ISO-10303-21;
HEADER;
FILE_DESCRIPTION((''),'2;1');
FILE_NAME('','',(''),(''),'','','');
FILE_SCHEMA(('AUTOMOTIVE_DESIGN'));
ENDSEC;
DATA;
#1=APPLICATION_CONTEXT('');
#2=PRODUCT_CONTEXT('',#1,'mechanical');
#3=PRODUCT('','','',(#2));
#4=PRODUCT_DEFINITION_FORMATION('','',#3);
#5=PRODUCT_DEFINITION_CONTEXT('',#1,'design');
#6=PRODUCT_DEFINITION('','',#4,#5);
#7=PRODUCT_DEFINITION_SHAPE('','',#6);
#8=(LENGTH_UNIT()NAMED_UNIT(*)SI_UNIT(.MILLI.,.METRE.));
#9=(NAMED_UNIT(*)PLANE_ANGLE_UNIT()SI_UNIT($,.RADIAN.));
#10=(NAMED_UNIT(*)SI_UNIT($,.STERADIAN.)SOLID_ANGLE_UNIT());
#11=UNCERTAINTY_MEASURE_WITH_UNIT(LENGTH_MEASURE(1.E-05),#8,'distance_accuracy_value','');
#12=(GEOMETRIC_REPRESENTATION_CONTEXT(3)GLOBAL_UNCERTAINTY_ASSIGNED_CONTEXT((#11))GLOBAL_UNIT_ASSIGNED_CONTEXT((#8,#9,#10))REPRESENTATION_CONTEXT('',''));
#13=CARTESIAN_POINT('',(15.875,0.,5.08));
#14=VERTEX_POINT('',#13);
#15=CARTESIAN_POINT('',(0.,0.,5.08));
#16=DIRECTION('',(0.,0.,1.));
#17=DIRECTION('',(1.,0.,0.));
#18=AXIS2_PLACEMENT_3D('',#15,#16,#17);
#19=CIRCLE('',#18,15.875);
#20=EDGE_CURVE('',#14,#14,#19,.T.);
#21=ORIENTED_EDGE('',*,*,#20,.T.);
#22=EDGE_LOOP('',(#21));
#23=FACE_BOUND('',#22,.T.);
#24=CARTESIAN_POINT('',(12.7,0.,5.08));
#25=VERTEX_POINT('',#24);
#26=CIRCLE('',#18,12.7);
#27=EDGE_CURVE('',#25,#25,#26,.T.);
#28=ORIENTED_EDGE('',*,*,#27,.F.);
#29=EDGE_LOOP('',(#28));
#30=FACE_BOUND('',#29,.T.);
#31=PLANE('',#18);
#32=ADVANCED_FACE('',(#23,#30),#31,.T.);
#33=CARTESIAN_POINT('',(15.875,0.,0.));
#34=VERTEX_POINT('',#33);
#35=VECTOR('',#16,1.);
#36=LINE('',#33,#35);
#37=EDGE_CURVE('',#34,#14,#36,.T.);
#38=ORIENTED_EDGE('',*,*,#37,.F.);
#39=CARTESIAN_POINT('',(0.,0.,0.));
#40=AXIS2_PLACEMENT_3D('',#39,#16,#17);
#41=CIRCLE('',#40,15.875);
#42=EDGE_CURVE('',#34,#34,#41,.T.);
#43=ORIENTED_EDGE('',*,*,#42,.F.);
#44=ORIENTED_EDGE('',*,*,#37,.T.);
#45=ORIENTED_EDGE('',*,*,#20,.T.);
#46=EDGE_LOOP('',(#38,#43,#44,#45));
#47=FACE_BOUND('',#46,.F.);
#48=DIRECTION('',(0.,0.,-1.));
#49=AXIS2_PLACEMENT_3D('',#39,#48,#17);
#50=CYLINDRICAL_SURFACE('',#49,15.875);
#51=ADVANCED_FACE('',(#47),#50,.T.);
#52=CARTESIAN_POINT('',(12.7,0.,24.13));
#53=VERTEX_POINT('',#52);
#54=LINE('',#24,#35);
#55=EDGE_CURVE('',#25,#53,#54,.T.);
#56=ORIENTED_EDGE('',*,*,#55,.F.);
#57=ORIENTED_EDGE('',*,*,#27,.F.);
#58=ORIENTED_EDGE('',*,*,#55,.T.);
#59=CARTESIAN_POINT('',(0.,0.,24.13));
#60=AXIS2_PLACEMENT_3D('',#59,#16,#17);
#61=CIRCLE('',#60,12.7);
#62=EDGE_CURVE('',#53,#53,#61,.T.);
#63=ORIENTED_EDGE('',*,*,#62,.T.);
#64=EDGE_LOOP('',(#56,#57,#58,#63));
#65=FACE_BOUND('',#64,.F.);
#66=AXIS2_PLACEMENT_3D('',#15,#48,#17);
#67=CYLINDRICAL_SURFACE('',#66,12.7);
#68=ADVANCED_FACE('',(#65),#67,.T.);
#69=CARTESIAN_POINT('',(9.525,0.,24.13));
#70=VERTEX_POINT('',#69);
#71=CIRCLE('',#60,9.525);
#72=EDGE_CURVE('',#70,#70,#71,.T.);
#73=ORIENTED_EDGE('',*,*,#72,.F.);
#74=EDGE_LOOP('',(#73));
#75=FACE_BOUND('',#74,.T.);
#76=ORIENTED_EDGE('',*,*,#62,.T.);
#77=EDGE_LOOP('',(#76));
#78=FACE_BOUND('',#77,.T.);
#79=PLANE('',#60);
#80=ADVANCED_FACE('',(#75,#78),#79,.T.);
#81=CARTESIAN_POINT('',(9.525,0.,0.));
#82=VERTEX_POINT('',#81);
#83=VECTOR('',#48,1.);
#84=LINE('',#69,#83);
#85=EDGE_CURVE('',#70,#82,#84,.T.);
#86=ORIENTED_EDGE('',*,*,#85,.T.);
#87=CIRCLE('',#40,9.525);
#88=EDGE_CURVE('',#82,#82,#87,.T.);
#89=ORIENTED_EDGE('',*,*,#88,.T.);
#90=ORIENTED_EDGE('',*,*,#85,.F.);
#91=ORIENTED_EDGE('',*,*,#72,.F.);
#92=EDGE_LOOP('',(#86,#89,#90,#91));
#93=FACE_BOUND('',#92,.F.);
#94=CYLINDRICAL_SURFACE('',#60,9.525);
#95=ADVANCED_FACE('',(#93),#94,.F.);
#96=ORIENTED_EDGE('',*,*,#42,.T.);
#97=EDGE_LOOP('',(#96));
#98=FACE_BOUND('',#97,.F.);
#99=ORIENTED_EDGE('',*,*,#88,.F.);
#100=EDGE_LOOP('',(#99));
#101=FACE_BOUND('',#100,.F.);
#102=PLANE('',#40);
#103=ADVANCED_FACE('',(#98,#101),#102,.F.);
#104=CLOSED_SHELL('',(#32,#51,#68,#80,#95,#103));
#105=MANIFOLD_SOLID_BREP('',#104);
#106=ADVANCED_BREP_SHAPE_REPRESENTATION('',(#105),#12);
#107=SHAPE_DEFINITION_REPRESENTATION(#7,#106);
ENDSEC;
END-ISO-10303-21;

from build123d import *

# Parameters (mm, degrees)
F0_R     = 15.875
F1_DEPTH = 5.08
F2_R     = 12.7
F3_DEPTH = 19.05
F4_R     = 9.525
F5_DEPTH = 24.131


with BuildPart() as f1:
    # F0 (on Top) → F1 (new body)
    with BuildSketch(Plane.XY):
        Circle(F0_R)
    extrude(amount=F1_DEPTH)

    # F2 (on face) → F3 (join)
    with BuildSketch(Plane.XY.offset(5.08)):
        Circle(F2_R)
    extrude(amount=F3_DEPTH)

    # F4 (on face) → F5 (cut, through all)
    with BuildSketch(Plane.XY.offset(24.13)):
        Circle(F4_R)
    extrude(amount=-F5_DEPTH, mode=Mode.SUBTRACT)


solid = f1.part
